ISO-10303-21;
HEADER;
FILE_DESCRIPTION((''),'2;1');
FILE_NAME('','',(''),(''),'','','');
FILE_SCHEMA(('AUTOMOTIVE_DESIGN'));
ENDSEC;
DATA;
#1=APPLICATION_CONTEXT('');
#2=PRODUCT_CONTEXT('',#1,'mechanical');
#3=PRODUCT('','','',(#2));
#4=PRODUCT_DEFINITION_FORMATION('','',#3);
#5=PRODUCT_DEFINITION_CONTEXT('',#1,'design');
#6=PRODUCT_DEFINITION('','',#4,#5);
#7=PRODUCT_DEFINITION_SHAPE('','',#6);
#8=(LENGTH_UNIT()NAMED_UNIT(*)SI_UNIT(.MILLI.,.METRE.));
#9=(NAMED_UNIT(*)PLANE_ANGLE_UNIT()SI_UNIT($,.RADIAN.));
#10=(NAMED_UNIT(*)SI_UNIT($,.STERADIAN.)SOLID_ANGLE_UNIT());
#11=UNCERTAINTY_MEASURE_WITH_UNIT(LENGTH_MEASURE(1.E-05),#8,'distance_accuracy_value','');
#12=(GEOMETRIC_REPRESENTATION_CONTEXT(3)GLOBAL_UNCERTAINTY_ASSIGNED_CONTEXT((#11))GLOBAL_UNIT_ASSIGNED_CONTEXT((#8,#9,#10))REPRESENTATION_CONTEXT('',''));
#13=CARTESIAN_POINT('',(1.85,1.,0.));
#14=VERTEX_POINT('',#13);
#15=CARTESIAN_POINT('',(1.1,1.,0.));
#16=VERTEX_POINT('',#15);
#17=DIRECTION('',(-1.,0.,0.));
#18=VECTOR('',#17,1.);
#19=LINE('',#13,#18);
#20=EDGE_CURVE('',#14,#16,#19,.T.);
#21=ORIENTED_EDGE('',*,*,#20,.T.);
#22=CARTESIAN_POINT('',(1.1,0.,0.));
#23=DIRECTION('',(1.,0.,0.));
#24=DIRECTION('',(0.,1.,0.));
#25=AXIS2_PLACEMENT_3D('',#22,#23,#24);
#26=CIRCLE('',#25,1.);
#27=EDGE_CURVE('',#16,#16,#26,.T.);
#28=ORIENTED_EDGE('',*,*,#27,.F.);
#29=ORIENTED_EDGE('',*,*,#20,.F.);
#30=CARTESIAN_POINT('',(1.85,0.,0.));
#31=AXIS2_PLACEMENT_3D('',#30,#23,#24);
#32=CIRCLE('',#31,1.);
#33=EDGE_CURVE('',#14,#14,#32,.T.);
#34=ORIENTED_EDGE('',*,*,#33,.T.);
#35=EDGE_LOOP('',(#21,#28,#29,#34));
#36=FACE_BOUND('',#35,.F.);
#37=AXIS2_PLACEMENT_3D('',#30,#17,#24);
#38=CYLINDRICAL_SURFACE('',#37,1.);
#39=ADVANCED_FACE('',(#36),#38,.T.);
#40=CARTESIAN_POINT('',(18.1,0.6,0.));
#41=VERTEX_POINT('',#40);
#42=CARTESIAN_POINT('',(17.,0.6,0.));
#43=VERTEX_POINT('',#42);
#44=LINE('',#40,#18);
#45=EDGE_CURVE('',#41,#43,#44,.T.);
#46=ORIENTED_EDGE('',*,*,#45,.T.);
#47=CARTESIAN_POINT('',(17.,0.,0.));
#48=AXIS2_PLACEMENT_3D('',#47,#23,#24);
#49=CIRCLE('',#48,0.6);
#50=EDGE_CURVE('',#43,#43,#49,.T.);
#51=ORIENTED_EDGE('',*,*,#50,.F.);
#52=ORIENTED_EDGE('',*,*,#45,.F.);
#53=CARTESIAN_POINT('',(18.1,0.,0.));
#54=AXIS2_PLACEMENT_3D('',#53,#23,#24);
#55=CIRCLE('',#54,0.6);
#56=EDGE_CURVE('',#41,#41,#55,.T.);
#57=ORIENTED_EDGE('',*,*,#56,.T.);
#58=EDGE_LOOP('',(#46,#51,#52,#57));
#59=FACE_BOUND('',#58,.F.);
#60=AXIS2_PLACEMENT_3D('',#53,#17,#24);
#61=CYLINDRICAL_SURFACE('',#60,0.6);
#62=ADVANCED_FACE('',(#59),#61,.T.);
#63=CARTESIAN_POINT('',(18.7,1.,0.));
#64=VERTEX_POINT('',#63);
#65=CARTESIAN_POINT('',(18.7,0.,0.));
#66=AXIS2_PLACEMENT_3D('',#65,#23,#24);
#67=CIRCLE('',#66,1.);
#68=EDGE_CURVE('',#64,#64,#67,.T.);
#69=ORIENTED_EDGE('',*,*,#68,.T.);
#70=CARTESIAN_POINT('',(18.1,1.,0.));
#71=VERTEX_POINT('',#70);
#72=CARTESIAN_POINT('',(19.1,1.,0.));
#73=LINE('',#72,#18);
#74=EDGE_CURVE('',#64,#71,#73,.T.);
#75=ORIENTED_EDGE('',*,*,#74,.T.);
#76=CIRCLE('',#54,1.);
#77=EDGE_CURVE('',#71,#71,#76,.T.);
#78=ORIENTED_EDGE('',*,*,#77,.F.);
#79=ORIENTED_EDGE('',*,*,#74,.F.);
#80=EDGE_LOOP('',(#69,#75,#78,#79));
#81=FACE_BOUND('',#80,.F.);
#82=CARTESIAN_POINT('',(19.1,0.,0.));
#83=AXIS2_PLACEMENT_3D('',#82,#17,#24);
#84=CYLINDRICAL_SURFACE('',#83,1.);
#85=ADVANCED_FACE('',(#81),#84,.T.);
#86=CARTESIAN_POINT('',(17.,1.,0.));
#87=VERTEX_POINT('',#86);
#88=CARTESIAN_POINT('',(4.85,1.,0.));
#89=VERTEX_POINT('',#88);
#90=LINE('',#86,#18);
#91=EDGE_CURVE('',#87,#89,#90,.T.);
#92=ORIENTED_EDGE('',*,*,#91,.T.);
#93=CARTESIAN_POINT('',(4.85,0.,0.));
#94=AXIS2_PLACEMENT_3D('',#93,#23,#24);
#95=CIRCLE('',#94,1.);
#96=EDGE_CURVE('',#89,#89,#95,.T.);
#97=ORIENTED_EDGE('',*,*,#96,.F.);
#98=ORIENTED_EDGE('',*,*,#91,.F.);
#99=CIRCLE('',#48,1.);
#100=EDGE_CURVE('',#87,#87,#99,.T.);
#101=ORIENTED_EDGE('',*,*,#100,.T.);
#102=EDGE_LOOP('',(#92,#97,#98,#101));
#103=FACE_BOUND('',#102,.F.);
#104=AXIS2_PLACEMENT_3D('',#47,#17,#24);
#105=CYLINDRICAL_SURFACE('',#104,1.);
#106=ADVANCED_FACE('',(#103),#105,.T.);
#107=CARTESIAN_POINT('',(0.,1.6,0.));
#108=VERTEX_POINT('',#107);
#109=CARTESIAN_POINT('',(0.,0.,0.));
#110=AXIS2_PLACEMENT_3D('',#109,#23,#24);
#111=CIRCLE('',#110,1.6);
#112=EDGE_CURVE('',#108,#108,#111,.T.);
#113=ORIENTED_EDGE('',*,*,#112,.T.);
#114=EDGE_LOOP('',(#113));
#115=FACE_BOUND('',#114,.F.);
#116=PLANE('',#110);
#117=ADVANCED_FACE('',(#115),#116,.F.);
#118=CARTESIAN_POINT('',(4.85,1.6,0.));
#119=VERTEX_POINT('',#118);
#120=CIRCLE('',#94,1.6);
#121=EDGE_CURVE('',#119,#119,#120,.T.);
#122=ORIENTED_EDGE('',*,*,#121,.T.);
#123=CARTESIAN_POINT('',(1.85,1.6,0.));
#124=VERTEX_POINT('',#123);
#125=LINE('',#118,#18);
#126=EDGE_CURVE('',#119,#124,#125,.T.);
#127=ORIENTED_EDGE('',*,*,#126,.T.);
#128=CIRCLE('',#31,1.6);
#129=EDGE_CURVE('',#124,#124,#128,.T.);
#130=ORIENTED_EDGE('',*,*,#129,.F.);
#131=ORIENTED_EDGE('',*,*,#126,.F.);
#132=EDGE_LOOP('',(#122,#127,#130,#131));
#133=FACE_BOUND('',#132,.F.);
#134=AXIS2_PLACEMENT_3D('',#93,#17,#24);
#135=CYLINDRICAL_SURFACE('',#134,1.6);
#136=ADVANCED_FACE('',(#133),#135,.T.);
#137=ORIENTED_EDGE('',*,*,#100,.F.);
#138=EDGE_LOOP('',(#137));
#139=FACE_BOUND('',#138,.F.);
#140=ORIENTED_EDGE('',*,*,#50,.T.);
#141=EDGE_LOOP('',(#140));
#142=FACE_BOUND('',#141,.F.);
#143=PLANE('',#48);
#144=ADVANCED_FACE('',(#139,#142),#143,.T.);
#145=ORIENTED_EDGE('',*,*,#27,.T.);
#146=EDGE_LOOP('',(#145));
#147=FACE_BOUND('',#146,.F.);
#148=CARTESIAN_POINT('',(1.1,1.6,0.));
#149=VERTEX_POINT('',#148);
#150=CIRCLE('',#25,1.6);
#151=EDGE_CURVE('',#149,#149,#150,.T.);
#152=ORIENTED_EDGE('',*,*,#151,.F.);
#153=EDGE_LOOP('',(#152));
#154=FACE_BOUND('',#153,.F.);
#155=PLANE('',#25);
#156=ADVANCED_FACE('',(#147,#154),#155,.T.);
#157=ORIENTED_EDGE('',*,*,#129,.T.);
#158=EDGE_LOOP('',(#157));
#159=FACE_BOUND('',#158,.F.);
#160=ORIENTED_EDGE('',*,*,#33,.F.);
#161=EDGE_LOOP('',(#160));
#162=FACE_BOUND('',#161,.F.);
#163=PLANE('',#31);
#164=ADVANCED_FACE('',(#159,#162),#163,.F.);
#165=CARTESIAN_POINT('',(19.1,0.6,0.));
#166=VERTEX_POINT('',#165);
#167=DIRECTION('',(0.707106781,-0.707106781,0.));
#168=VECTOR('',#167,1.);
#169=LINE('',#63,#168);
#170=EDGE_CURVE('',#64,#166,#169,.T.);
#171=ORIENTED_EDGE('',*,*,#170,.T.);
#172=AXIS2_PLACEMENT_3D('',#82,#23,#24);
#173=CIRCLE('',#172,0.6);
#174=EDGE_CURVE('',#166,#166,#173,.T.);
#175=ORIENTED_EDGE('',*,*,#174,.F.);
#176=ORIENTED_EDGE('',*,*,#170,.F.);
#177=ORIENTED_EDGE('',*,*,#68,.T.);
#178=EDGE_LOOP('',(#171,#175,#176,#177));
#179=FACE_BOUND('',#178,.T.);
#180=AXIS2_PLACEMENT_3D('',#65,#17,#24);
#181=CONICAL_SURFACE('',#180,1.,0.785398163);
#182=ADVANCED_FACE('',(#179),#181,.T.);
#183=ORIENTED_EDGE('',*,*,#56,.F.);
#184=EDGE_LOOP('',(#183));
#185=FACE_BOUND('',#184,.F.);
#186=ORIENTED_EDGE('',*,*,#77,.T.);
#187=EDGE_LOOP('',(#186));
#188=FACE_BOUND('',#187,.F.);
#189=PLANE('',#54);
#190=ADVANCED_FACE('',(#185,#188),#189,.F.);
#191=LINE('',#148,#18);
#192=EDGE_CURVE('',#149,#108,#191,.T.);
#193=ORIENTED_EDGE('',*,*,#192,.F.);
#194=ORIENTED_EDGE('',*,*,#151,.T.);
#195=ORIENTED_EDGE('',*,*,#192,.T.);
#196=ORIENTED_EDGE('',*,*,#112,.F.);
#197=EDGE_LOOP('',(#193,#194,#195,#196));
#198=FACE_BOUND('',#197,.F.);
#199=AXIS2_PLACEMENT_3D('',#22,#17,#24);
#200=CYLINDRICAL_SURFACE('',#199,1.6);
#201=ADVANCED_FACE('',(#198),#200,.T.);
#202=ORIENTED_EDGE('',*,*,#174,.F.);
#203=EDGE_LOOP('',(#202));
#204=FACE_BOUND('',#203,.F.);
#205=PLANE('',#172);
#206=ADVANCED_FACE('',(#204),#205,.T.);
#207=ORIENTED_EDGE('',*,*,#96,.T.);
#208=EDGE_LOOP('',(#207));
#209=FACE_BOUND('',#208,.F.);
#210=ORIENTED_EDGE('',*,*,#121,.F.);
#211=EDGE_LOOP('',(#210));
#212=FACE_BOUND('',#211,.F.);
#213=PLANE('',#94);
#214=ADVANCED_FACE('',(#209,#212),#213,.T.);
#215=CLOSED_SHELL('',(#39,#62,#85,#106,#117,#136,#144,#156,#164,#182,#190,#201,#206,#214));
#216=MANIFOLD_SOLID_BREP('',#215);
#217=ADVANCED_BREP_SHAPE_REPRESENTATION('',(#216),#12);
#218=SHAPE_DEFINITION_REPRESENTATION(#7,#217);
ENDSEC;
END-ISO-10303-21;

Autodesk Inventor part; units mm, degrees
ref_plane "YZ Plane" through (0, 0, 0) normal (1, 0, 0) x (0, 1, 0)
ref_plane "XZ Plane" through (0, 0, 0) normal (0, 1, 0) x (-1, 0, 0)
ref_plane "XY Plane" through (0, 0, 0) normal (0, 0, 1) x (1, 0, 0)
sketch "Sketch1" plane through (0, 0, 0) normal (0, 0, 1) x (1, 0, 0)
  line L0 (0, 0) -> (1.1, 0)
  line L1 (1.1, 0) -> (1.1, 1.6)
  line L2 (1.1, 1.6) -> (0, 1.6)
  line L3 (0, 1.6) -> (0, 0)
  line L4 (1.1, 0) -> (1.85, 0)
  line L5 (1.85, 0) -> (1.85, 1)
  line L6 (1.85, 1) -> (1.1, 1)
  line L7 (1.1, 1) -> (1.1, 0)
  line L8 (1.85, 0) -> (4.85, 0)
  line L9 (4.85, 0) -> (4.85, 1.6)
  line L10 (4.85, 1.6) -> (1.85, 1.6)
  line L11 (1.85, 1.6) -> (1.85, 0)
  line L12 (4.85, 0) -> (17, 0)
  line L13 (17, 0) -> (17, 1)
  line L14 (17, 1) -> (4.85, 1)
  line L15 (4.85, 1) -> (4.85, 0)
  line L16 (17, 0) -> (18.1, 0)
  line L17 (18.1, 0) -> (18.1, 0.6)
  line L18 (18.1, 0.6) -> (17, 0.6)
  line L19 (17, 0.6) -> (17, 0)
  line L20 (18.1, 0) -> (19.1, 0)
  line L21 (19.1, 0) -> (19.1, 1)
  line L22 (19.1, 1) -> (18.1, 1)
  line L23 (18.1, 1) -> (18.1, 0)
  dimension "d0" = 1.1
  dimension "d1" = 1.85
  dimension "d2" = 4.85
  dimension "d3" = 19.1
  dimension "d4" = 18.1
  dimension "d5" = 17
  dimension "d6" = 2
  dimension "d7" = 1.2
  dimension "d8" = 3.2
  dimension "d9" = 2
revolve "Revolution1" add sketch "Sketch1" angle 360 about axis through (0, 0, 0) along (1, 0, 0)
chamfer "Chamfer1" distance 0.4 angle 45 1 edges at (19.1, -1, 0)
properties part number "403-13" material "Steel"
